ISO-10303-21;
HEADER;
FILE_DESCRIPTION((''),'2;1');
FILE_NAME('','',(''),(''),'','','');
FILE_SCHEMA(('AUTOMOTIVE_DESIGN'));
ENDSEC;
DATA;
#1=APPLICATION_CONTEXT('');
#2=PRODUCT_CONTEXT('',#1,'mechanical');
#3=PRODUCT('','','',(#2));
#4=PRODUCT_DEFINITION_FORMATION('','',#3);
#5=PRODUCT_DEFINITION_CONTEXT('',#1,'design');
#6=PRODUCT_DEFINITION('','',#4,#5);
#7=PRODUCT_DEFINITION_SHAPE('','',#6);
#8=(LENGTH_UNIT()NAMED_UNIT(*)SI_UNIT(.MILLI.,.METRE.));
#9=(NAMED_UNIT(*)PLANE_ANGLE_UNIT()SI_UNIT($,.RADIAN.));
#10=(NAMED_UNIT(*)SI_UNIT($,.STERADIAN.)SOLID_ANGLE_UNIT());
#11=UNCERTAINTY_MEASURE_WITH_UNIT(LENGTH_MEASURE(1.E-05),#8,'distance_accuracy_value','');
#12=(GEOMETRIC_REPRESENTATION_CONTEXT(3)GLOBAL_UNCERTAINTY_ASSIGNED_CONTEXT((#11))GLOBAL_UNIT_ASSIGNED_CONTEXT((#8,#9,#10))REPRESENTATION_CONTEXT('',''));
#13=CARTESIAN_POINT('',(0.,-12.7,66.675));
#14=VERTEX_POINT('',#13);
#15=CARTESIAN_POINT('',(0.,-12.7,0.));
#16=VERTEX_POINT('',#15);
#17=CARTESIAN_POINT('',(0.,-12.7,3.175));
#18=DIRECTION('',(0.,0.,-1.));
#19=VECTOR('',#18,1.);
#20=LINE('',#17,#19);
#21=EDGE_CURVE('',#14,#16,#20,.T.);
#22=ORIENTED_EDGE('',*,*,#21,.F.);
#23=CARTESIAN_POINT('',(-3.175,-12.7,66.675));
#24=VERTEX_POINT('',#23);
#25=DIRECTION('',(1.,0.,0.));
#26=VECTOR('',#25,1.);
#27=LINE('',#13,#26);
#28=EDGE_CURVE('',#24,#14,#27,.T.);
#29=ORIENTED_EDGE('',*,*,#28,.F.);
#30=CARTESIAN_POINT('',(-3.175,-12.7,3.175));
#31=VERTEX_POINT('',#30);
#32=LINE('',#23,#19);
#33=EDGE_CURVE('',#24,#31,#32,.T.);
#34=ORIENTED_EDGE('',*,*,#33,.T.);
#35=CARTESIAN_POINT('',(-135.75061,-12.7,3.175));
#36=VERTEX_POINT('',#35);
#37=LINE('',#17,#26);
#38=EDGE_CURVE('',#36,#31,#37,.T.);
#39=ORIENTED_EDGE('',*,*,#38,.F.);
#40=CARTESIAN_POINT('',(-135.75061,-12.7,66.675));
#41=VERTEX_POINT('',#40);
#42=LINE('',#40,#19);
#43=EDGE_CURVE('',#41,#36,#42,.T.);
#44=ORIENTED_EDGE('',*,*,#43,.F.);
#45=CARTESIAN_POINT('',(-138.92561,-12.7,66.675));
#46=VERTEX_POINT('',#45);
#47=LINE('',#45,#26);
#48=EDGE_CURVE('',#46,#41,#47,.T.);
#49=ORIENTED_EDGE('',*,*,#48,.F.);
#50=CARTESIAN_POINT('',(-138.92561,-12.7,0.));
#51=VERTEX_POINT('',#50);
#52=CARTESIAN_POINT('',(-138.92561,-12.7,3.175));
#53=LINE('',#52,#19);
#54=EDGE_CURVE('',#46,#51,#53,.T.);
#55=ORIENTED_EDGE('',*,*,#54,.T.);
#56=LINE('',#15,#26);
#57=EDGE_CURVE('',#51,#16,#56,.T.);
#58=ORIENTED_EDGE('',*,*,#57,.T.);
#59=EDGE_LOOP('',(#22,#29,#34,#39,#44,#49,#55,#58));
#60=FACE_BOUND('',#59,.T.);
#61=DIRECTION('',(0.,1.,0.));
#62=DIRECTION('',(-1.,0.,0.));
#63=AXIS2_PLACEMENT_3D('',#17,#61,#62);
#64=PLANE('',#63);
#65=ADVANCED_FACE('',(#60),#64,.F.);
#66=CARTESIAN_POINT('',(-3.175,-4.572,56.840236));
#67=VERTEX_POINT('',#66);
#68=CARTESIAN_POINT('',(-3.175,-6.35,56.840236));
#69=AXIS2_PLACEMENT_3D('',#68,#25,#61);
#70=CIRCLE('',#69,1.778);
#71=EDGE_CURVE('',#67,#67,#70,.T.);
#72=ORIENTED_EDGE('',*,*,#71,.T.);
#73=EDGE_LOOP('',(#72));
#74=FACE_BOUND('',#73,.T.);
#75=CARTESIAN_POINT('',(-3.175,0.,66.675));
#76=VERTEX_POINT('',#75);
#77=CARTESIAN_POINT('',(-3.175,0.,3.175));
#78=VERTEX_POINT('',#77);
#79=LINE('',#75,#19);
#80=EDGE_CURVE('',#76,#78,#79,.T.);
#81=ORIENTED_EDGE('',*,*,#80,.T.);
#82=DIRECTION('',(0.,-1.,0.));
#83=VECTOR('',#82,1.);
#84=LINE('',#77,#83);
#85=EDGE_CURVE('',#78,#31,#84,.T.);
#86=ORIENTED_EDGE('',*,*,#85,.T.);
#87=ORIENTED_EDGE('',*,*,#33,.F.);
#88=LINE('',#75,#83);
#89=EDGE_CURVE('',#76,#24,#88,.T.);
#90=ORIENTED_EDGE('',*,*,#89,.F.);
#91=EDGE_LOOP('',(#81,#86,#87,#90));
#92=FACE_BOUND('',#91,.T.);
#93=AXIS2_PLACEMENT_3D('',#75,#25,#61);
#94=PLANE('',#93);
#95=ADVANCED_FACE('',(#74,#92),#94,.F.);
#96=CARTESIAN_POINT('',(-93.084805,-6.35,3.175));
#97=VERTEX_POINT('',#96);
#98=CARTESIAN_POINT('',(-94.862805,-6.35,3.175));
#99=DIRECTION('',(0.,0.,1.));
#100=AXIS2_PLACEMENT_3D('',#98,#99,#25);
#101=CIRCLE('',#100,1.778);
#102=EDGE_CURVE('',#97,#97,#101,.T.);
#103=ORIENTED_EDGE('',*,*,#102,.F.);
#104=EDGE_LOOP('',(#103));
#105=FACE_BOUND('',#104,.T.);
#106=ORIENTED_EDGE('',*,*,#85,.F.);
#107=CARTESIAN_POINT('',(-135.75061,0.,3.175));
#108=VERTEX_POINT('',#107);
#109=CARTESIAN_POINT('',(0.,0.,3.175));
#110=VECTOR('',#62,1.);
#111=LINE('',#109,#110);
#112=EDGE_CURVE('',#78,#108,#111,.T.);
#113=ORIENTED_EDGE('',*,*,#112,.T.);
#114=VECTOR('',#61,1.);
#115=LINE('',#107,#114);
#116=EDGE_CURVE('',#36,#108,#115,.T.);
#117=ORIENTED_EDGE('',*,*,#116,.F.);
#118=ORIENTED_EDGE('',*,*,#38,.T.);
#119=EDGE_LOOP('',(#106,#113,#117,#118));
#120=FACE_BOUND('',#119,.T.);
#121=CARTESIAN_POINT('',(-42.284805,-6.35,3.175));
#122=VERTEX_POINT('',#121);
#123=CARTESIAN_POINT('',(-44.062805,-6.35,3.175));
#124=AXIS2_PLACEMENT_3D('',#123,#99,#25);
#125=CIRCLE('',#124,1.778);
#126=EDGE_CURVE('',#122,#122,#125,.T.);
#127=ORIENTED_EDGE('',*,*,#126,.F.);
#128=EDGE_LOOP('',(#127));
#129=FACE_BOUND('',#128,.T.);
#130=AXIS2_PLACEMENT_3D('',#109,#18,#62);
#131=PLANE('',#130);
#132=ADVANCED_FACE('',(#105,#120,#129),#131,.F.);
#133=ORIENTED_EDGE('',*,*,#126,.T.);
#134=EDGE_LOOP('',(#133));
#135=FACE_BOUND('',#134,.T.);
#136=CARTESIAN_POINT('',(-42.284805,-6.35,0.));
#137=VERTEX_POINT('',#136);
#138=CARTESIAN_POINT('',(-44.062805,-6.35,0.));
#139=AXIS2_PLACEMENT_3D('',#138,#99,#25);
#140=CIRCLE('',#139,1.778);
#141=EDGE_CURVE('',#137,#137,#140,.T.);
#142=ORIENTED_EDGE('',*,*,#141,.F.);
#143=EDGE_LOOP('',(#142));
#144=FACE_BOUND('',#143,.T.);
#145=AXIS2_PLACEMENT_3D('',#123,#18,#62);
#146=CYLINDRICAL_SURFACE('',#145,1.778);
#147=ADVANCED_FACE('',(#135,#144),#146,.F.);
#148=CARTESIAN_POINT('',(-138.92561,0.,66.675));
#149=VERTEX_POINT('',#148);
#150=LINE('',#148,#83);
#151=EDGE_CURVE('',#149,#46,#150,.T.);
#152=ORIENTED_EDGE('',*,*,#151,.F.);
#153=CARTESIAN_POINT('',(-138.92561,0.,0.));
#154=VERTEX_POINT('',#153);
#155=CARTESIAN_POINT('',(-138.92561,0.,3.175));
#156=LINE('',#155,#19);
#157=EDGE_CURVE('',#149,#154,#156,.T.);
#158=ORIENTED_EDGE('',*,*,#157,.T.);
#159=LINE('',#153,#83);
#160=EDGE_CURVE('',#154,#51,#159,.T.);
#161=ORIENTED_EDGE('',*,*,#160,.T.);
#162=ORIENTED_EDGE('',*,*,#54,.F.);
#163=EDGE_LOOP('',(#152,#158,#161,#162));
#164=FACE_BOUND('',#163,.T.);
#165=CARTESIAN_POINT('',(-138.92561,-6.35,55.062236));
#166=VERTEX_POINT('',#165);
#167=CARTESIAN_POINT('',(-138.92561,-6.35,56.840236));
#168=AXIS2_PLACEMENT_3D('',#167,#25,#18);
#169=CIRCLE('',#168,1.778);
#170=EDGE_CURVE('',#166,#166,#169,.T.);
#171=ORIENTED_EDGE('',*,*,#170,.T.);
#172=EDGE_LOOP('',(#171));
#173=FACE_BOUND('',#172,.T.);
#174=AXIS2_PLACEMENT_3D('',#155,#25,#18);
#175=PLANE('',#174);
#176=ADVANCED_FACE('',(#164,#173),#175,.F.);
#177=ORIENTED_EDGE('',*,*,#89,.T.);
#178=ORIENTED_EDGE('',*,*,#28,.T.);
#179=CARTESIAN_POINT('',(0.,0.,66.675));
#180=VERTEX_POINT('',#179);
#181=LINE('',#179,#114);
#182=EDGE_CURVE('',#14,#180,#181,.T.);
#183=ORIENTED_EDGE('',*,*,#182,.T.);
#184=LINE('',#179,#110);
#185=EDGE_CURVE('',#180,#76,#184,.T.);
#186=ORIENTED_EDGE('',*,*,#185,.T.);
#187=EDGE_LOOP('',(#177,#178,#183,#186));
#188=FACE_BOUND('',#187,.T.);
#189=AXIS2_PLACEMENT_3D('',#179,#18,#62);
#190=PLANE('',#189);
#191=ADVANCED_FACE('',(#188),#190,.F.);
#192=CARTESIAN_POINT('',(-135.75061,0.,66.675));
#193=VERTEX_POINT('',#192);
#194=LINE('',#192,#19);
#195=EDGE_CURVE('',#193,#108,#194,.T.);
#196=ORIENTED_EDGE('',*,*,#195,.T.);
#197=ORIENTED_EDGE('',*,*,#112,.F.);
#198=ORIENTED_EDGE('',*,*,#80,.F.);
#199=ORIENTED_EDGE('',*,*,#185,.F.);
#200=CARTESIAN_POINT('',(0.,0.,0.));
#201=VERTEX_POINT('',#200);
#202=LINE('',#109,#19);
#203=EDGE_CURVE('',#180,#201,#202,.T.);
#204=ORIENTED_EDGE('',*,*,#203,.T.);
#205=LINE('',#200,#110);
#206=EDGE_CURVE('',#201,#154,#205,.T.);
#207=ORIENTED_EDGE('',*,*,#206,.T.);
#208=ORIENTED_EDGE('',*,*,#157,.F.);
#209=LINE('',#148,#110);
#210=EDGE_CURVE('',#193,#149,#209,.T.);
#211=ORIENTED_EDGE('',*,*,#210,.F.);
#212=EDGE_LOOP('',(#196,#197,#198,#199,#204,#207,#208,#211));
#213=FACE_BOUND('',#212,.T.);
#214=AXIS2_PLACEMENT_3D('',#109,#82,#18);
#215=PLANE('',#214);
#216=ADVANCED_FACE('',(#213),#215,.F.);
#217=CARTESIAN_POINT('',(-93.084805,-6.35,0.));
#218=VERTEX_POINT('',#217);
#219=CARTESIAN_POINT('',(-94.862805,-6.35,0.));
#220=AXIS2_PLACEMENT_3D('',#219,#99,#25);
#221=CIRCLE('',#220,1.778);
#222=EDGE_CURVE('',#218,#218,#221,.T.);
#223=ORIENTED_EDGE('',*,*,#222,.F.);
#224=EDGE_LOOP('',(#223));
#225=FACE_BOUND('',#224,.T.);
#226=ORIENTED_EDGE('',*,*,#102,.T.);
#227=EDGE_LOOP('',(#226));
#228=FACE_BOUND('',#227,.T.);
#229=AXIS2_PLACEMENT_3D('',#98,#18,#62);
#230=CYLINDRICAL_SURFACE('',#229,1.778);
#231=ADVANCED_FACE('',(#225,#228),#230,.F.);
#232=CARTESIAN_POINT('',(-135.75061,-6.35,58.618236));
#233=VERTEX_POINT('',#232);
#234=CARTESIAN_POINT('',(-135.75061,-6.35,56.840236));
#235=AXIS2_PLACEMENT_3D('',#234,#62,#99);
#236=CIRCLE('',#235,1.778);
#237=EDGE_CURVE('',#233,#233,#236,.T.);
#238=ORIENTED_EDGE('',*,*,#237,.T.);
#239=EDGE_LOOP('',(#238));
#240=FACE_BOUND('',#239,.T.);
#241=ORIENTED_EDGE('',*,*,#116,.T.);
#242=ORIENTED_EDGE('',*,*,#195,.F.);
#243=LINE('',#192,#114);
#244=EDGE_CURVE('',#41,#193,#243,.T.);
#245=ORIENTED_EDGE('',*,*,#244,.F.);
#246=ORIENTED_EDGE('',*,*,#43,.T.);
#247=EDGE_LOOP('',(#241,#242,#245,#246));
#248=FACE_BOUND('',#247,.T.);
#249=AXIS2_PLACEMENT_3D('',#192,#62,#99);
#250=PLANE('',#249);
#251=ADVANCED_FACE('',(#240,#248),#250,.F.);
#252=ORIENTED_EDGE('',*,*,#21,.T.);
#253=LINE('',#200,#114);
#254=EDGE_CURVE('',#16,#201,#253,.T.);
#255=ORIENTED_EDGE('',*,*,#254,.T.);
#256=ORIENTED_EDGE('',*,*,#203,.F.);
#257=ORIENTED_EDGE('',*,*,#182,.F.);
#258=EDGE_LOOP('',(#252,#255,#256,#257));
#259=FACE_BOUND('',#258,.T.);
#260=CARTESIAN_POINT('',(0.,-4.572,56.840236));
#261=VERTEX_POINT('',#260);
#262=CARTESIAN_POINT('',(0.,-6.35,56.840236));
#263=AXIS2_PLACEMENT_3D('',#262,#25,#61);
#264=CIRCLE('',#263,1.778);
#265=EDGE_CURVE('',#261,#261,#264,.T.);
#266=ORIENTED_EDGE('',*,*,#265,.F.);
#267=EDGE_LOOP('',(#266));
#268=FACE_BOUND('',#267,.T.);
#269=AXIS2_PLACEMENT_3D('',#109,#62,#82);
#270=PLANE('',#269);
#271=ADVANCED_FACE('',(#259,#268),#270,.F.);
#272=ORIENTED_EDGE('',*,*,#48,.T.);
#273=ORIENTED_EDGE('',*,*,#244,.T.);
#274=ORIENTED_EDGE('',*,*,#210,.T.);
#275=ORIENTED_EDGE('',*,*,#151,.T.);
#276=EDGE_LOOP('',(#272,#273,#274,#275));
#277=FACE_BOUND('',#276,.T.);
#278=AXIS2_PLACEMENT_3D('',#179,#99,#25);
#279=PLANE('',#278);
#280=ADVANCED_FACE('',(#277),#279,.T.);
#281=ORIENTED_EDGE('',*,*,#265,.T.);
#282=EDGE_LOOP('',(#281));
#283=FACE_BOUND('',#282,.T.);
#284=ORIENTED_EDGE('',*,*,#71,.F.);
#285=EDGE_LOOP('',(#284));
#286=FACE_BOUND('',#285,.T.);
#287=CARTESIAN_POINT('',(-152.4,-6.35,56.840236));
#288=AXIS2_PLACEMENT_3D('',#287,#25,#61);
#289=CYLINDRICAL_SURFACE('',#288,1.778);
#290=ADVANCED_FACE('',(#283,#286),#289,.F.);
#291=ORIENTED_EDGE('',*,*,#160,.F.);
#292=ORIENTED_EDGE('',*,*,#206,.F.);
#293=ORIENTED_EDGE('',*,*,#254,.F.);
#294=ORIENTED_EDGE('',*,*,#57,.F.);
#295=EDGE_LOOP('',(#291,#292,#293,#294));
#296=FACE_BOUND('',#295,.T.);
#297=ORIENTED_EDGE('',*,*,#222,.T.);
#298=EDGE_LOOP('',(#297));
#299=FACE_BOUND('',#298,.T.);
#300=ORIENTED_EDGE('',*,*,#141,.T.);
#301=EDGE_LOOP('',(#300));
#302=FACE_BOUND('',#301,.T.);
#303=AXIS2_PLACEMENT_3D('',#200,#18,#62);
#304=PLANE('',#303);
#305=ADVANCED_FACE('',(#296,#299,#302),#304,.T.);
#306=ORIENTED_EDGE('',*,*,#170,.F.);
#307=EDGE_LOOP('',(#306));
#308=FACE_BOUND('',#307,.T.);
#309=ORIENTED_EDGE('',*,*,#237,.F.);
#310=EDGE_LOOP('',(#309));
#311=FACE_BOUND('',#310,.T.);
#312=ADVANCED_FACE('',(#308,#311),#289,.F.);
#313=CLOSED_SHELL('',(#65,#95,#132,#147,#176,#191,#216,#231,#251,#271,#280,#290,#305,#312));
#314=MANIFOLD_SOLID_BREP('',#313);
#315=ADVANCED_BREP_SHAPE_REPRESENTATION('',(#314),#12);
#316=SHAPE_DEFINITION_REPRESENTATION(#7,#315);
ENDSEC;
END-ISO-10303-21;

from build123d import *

# Parameters (mm, degrees)
SKETCH1_W           = 138.92560988
SKETCH1_H           = 12.7
SKETCH1_R           = 1.778
BOSS_EXTRUDE1_DEPTH = 3.175
SKETCH2_W           = 3.175
SKETCH2_H           = 12.7
BOSS_EXTRUDE2_DEPTH = 63.5
SKETCH3_R           = 1.778
CUT_EXTRUDE1_DEPTH  = 152.4


with BuildPart() as part:
    # Sketch1 → Boss-Extrude1 (new body)
    with BuildSketch(Plane.XY):
        with Locations((-69.46280494, -6.35)):
            Rectangle(SKETCH1_W, SKETCH1_H)
        with Locations((-94.86280494, -6.35)):
            Circle(SKETCH1_R, mode=Mode.SUBTRACT)
        with Locations((-44.06280494, -6.35)):
            Circle(SKETCH1_R, mode=Mode.SUBTRACT)
    extrude(amount=BOSS_EXTRUDE1_DEPTH)

    # Sketch2 → Boss-Extrude2 (add)
    with BuildSketch(Plane.XY.offset(3.175)):
        with Locations((-137.33810988, -6.35)):
            Rectangle(SKETCH2_W, SKETCH2_H)
        with Locations((-1.5875, -6.35)):
            Rectangle(SKETCH2_W, SKETCH2_H)
    extrude(amount=BOSS_EXTRUDE2_DEPTH)

    # Sketch3 → Cut-Extrude1 (cut)
    with BuildSketch(Plane(origin=(0, 0, 0), x_dir=(0, 0, -1), z_dir=(1, 0, 0))):
        with Locations((-56.840236332, -6.35)):
            Circle(SKETCH3_R)
    extrude(amount=-CUT_EXTRUDE1_DEPTH, mode=Mode.SUBTRACT)


solid = part.part
